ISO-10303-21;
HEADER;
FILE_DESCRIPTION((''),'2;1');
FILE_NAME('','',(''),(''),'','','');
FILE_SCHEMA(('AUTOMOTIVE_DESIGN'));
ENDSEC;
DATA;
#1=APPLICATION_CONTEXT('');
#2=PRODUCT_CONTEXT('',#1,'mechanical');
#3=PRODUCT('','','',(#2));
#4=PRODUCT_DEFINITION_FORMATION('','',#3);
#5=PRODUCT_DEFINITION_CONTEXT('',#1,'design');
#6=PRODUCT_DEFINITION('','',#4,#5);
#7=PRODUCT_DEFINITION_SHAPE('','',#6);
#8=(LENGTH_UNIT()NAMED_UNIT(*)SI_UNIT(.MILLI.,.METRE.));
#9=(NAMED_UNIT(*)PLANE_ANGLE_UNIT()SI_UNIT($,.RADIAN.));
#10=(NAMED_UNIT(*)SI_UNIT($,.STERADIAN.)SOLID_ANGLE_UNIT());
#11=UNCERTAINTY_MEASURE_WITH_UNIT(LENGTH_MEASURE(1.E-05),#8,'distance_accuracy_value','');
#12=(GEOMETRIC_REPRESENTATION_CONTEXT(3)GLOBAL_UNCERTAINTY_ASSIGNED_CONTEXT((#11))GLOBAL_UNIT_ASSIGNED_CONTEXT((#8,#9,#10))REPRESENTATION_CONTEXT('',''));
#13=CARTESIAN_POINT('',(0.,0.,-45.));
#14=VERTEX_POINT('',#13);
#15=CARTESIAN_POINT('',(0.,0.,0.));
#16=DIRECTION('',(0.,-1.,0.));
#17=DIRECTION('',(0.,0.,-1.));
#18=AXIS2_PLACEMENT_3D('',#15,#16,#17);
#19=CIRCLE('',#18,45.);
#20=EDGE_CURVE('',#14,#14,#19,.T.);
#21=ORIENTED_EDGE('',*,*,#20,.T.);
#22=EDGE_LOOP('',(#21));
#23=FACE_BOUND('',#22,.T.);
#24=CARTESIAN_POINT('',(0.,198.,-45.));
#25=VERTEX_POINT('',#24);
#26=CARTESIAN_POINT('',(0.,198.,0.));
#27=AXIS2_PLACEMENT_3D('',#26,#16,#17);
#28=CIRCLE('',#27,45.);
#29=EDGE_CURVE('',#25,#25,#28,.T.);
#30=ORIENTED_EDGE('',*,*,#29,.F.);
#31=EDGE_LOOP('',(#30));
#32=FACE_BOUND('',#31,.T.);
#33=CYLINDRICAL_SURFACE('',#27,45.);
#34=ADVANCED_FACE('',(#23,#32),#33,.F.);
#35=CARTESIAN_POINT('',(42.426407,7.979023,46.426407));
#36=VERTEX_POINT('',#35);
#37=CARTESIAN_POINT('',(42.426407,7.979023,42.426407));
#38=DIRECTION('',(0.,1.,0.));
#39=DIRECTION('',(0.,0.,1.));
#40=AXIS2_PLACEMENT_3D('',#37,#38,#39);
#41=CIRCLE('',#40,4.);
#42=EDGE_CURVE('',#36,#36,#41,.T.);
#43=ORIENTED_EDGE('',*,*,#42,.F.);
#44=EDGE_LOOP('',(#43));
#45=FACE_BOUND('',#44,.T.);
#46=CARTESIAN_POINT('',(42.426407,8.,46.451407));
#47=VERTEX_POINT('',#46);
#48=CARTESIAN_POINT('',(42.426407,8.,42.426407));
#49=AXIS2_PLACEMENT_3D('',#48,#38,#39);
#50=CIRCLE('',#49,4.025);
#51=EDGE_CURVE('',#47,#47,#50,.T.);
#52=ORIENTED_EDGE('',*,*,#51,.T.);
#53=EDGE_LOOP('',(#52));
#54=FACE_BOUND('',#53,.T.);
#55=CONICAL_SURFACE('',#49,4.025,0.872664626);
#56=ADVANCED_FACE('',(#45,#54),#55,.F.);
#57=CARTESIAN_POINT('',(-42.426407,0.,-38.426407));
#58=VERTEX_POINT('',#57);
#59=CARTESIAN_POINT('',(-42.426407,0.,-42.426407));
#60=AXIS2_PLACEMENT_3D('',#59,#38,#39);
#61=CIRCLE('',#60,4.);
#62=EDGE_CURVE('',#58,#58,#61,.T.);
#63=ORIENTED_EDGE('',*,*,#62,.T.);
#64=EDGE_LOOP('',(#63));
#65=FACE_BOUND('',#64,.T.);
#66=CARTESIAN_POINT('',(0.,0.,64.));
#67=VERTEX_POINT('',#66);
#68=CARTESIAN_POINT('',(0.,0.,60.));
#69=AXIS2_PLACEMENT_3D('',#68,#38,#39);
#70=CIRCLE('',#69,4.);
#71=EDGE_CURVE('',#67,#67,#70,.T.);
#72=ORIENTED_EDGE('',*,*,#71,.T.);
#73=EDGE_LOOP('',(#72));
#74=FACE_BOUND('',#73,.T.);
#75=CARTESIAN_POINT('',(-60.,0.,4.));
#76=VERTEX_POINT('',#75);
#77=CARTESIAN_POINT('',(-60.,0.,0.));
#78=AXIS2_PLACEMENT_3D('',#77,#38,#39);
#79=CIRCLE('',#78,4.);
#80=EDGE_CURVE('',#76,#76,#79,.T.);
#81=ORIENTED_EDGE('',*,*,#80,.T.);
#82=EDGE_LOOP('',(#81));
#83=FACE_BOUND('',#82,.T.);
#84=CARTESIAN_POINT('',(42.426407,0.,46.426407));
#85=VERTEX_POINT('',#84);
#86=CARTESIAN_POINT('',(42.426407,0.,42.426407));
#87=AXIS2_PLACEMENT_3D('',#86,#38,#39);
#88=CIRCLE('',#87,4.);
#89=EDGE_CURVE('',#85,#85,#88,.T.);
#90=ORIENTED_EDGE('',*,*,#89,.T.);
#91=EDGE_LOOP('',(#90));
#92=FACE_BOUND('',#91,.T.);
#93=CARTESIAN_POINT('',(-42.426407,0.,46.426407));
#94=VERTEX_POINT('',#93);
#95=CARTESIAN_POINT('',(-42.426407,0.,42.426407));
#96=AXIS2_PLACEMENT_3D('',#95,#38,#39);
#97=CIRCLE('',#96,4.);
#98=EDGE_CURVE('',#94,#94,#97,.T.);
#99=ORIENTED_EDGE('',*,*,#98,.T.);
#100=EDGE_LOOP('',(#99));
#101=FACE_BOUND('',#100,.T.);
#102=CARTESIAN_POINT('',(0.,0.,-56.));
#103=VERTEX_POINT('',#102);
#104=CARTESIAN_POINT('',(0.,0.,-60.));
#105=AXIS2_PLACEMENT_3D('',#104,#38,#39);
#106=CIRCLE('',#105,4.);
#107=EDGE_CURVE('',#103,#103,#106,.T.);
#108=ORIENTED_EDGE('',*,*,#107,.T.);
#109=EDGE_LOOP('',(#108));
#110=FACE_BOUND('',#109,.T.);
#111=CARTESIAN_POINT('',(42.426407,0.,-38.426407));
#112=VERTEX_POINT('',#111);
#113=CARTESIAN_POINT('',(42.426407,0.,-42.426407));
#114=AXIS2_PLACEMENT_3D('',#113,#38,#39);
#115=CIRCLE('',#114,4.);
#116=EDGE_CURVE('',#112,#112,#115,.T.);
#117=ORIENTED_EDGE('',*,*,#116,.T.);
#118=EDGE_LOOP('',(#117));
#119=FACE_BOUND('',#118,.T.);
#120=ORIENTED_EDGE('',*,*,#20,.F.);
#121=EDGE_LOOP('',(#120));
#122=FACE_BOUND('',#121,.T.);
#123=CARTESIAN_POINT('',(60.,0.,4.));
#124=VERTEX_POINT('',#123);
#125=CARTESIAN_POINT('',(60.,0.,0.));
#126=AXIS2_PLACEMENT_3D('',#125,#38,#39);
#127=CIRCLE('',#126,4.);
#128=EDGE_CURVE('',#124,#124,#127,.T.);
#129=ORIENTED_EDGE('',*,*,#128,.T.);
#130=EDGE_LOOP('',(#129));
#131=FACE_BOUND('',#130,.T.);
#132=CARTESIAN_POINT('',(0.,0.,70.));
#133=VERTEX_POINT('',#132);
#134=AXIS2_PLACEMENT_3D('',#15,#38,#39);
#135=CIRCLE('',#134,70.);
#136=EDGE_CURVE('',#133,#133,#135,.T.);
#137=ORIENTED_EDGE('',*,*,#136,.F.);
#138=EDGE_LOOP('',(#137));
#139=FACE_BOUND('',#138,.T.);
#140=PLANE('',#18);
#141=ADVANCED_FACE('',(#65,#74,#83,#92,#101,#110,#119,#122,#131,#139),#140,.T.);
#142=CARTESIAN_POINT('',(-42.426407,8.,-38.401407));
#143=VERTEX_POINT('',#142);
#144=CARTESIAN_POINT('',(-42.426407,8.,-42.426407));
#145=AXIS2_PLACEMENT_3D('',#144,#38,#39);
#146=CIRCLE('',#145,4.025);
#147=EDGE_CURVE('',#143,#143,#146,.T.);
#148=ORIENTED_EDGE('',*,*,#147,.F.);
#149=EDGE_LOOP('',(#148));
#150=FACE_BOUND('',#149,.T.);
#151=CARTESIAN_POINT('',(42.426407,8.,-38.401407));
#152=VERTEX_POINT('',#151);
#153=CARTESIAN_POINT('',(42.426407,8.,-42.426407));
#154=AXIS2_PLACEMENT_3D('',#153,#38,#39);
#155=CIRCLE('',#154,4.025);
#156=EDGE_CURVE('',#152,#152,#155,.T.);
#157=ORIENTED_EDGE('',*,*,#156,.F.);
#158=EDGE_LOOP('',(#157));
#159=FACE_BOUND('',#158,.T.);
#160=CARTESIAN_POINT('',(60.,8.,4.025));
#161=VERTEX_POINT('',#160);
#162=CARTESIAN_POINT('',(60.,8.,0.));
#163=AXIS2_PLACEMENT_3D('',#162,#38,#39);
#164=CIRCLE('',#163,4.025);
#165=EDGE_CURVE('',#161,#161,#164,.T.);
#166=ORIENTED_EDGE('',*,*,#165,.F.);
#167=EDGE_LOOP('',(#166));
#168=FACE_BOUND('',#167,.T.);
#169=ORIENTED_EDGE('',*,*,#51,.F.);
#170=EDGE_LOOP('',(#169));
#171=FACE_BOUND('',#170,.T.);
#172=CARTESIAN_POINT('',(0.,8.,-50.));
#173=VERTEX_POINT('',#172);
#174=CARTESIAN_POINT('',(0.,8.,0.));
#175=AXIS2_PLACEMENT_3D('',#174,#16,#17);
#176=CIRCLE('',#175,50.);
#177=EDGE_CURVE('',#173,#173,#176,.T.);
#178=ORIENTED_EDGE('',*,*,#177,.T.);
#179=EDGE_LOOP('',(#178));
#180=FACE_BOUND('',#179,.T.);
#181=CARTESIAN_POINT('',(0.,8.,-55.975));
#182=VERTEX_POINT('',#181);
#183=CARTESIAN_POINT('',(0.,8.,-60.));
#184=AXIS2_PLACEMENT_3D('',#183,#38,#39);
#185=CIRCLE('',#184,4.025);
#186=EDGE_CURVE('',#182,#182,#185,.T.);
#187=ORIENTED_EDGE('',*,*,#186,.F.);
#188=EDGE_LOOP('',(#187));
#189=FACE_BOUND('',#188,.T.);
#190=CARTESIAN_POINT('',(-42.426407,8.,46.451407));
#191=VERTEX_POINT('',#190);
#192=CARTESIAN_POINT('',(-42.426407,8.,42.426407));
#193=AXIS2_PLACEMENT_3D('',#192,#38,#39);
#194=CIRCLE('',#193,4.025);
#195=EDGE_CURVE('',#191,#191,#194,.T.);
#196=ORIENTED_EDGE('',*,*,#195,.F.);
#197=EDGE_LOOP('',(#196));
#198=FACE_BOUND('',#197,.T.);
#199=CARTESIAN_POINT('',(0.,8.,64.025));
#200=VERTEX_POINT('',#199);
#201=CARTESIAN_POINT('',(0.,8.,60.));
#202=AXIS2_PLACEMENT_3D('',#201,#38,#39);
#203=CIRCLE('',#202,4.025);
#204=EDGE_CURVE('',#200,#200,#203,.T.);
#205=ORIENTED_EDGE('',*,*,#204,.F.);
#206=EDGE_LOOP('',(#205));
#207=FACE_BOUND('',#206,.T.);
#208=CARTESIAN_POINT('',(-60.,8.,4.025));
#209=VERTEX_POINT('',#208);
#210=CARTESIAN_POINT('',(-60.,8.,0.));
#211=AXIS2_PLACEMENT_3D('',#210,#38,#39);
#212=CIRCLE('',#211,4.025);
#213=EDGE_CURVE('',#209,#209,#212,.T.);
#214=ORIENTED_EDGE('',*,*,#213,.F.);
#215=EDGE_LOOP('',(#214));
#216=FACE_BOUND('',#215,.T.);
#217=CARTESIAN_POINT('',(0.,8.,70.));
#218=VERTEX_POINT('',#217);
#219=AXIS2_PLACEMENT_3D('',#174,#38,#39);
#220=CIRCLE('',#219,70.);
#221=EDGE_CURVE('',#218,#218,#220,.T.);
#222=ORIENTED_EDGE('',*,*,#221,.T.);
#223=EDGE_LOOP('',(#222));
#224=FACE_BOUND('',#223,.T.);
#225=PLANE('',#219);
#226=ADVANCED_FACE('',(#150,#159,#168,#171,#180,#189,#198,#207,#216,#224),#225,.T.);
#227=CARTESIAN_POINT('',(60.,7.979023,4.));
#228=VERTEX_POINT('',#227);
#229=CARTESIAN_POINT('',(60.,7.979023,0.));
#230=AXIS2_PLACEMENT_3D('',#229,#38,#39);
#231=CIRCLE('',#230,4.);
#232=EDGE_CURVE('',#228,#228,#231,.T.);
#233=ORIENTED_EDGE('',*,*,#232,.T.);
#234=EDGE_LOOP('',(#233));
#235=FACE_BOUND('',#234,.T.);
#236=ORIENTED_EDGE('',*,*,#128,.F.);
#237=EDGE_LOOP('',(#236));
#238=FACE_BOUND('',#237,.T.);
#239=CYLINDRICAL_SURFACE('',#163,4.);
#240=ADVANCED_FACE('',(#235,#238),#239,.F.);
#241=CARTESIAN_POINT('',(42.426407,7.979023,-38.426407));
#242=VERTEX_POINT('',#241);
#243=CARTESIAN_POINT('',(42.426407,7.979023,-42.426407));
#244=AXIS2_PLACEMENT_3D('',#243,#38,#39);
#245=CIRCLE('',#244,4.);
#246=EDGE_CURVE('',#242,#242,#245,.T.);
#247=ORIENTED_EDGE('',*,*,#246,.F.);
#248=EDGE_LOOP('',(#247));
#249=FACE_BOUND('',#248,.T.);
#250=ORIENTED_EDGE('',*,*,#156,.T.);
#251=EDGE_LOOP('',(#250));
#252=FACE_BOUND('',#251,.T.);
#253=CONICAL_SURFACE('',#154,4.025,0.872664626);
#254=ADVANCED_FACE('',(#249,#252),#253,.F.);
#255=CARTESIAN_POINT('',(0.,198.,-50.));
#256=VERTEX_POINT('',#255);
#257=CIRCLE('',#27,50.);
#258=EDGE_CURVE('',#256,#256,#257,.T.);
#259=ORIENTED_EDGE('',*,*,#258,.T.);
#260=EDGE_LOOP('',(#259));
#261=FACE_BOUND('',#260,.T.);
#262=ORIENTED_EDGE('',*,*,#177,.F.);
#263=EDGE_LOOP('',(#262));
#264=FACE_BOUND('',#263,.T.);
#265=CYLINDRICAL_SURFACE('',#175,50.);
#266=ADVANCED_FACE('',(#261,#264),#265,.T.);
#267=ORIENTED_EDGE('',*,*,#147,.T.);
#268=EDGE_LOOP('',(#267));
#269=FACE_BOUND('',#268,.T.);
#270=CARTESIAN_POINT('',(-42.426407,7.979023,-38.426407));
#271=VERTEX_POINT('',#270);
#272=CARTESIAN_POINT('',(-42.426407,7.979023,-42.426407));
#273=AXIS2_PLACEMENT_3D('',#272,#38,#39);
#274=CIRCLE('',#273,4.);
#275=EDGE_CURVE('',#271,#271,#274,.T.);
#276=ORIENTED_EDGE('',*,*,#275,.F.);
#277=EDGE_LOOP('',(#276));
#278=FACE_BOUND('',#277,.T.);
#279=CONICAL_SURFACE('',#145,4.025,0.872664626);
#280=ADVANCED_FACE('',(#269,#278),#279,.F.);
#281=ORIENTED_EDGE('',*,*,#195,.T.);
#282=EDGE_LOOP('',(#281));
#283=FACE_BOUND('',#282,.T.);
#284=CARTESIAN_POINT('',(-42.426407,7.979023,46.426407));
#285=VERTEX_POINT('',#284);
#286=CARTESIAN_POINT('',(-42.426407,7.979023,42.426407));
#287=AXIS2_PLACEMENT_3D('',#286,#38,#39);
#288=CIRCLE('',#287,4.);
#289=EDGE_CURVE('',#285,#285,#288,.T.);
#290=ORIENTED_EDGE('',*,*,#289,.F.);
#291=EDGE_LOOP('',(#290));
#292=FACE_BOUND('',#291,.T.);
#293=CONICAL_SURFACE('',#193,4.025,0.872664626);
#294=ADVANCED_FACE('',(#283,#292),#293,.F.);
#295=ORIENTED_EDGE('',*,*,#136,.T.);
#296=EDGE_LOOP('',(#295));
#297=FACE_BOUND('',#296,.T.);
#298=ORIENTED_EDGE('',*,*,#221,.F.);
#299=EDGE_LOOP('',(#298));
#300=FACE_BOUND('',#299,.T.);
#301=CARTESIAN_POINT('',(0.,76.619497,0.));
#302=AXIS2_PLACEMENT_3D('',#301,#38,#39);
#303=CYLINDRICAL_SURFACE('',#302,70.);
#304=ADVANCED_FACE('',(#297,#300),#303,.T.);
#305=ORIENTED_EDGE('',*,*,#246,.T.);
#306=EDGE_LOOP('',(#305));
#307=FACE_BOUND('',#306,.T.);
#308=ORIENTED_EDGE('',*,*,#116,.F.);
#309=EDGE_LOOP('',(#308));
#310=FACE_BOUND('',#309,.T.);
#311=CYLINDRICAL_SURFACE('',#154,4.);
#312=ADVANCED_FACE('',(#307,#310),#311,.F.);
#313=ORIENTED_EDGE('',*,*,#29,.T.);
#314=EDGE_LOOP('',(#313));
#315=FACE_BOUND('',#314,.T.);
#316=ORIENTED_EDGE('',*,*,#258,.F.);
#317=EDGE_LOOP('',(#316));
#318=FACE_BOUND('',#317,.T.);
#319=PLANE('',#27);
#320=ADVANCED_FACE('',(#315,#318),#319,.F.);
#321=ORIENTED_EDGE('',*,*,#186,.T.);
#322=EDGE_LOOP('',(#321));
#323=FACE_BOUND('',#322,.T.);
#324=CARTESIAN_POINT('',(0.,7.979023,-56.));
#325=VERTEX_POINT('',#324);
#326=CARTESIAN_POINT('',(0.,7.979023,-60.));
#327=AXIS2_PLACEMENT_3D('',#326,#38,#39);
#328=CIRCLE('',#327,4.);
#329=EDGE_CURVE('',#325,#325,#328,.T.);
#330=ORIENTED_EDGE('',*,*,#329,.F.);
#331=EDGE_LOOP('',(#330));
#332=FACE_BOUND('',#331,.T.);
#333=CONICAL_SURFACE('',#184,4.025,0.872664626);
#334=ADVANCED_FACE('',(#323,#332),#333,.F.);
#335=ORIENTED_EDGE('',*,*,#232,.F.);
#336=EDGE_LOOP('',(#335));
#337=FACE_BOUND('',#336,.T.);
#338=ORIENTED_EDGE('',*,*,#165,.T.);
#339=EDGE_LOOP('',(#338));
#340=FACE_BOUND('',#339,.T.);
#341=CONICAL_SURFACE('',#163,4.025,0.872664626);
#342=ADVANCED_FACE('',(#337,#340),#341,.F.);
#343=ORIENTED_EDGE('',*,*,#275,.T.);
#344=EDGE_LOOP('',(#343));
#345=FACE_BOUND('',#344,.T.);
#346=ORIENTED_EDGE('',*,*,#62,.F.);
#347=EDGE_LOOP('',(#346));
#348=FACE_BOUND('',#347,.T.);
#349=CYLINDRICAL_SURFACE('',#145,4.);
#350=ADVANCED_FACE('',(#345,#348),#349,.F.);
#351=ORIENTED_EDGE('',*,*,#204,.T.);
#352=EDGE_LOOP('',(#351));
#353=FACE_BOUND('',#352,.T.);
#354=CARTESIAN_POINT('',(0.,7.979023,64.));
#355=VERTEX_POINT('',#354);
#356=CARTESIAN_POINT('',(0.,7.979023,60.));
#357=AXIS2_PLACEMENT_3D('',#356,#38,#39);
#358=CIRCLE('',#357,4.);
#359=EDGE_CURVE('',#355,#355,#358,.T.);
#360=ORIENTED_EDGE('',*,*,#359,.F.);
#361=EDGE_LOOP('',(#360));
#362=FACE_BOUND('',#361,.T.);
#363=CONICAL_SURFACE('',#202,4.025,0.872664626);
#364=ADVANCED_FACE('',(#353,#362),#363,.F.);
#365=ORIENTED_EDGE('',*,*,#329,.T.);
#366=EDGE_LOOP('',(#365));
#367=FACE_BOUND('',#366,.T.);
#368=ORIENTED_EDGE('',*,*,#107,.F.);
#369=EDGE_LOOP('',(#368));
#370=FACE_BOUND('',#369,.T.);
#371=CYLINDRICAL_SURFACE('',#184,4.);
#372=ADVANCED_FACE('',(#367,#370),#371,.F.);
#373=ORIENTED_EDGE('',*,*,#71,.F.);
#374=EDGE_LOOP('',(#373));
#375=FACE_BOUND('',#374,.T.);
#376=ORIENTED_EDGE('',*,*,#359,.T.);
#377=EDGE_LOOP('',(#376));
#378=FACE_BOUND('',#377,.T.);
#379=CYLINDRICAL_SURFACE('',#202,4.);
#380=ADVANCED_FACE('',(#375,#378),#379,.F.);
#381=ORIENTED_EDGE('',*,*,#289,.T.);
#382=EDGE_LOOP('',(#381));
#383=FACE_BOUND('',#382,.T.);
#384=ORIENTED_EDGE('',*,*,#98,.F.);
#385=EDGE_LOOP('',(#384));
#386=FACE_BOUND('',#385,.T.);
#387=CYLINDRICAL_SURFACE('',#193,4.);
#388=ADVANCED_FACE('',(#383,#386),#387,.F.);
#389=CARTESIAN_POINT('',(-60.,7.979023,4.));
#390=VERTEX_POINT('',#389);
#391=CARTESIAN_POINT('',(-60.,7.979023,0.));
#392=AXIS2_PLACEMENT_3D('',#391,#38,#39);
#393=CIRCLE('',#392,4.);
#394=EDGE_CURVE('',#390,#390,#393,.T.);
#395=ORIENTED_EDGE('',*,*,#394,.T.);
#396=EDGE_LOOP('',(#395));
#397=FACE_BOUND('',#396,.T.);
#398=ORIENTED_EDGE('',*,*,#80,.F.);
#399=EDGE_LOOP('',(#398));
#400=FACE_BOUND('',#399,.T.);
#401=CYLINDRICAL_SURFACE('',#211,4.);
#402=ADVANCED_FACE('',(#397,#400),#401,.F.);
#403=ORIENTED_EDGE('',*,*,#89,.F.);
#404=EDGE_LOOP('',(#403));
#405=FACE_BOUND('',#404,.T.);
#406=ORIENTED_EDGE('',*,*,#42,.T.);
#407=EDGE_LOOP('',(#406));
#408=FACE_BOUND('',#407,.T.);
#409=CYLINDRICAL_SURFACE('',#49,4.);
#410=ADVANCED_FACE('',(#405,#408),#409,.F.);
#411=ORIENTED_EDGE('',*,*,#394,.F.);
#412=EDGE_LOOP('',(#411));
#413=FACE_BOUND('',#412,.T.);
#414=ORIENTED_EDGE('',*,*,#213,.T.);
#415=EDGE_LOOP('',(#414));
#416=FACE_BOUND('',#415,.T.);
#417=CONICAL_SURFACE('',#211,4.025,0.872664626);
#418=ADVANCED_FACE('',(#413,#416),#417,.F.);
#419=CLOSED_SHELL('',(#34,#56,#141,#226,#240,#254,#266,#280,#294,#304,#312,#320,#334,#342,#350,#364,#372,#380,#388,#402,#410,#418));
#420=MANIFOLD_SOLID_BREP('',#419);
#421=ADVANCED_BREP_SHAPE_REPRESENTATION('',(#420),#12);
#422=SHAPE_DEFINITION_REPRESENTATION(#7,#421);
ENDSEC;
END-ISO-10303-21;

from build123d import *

# Parameters (mm, degrees)
SKETCH_1_W               = 70
SKETCH_1_H               = 8
M8X1_0_2_D               = 8
M8X1_0_2_CSINK_D         = 8.05
M8X1_0_2_CSINK_ANGLE     = 100
PATTERN_CIRCULAR_2_COUNT = 8
SKETCH_11_W              = 50
SKETCH_11_H              = 190
SKETCH_12_R              = 45
CUT_EXTRUDE_1_DEPTH      = 222.368471106


with BuildPart() as part:
    # 草图1 → 旋转1 (revolve)
    with BuildSketch(Plane.XY):
        with Locations((-35, 4)):
            Rectangle(SKETCH_1_W, SKETCH_1_H)
    revolve(axis=Axis((0, 76.619497233, 0), (0, -1, 0)))

    # M8x1.0 螺纹孔2 (through all)
    with Locations(Plane(origin=(0, 8, 0), x_dir=(1, 0, 0), z_dir=(0, 1, 0))):
        with Locations((-60, 0)):
            m8x1_0_2 = CounterSinkHole(M8X1_0_2_D / 2, M8X1_0_2_CSINK_D / 2, counter_sink_angle=M8X1_0_2_CSINK_ANGLE)

    # 阵列(圆周)2: M8x1.0 螺纹孔2 ×8 about axis
    pattern_circular_2_axis = Axis((0, 76.619497233, 0), (0, -1, 0))
    for i in range(1, PATTERN_CIRCULAR_2_COUNT):
        add(m8x1_0_2.rotate(pattern_circular_2_axis, i * 360 / PATTERN_CIRCULAR_2_COUNT), mode=Mode.SUBTRACT)

    # 草图11 → 旋转2 (revolve)
    with BuildSketch(Plane.XY):
        with Locations((-25, 103)):
            Rectangle(SKETCH_11_W, SKETCH_11_H)
    revolve(axis=Axis((0, 8, 0), (0, 1, 0)))

    # 草图12 → 切除-拉伸1 (cut, through all)
    with BuildSketch(Plane.XZ):
        Circle(SKETCH_12_R)
    extrude(amount=-CUT_EXTRUDE_1_DEPTH, mode=Mode.SUBTRACT)


solid = part.part
